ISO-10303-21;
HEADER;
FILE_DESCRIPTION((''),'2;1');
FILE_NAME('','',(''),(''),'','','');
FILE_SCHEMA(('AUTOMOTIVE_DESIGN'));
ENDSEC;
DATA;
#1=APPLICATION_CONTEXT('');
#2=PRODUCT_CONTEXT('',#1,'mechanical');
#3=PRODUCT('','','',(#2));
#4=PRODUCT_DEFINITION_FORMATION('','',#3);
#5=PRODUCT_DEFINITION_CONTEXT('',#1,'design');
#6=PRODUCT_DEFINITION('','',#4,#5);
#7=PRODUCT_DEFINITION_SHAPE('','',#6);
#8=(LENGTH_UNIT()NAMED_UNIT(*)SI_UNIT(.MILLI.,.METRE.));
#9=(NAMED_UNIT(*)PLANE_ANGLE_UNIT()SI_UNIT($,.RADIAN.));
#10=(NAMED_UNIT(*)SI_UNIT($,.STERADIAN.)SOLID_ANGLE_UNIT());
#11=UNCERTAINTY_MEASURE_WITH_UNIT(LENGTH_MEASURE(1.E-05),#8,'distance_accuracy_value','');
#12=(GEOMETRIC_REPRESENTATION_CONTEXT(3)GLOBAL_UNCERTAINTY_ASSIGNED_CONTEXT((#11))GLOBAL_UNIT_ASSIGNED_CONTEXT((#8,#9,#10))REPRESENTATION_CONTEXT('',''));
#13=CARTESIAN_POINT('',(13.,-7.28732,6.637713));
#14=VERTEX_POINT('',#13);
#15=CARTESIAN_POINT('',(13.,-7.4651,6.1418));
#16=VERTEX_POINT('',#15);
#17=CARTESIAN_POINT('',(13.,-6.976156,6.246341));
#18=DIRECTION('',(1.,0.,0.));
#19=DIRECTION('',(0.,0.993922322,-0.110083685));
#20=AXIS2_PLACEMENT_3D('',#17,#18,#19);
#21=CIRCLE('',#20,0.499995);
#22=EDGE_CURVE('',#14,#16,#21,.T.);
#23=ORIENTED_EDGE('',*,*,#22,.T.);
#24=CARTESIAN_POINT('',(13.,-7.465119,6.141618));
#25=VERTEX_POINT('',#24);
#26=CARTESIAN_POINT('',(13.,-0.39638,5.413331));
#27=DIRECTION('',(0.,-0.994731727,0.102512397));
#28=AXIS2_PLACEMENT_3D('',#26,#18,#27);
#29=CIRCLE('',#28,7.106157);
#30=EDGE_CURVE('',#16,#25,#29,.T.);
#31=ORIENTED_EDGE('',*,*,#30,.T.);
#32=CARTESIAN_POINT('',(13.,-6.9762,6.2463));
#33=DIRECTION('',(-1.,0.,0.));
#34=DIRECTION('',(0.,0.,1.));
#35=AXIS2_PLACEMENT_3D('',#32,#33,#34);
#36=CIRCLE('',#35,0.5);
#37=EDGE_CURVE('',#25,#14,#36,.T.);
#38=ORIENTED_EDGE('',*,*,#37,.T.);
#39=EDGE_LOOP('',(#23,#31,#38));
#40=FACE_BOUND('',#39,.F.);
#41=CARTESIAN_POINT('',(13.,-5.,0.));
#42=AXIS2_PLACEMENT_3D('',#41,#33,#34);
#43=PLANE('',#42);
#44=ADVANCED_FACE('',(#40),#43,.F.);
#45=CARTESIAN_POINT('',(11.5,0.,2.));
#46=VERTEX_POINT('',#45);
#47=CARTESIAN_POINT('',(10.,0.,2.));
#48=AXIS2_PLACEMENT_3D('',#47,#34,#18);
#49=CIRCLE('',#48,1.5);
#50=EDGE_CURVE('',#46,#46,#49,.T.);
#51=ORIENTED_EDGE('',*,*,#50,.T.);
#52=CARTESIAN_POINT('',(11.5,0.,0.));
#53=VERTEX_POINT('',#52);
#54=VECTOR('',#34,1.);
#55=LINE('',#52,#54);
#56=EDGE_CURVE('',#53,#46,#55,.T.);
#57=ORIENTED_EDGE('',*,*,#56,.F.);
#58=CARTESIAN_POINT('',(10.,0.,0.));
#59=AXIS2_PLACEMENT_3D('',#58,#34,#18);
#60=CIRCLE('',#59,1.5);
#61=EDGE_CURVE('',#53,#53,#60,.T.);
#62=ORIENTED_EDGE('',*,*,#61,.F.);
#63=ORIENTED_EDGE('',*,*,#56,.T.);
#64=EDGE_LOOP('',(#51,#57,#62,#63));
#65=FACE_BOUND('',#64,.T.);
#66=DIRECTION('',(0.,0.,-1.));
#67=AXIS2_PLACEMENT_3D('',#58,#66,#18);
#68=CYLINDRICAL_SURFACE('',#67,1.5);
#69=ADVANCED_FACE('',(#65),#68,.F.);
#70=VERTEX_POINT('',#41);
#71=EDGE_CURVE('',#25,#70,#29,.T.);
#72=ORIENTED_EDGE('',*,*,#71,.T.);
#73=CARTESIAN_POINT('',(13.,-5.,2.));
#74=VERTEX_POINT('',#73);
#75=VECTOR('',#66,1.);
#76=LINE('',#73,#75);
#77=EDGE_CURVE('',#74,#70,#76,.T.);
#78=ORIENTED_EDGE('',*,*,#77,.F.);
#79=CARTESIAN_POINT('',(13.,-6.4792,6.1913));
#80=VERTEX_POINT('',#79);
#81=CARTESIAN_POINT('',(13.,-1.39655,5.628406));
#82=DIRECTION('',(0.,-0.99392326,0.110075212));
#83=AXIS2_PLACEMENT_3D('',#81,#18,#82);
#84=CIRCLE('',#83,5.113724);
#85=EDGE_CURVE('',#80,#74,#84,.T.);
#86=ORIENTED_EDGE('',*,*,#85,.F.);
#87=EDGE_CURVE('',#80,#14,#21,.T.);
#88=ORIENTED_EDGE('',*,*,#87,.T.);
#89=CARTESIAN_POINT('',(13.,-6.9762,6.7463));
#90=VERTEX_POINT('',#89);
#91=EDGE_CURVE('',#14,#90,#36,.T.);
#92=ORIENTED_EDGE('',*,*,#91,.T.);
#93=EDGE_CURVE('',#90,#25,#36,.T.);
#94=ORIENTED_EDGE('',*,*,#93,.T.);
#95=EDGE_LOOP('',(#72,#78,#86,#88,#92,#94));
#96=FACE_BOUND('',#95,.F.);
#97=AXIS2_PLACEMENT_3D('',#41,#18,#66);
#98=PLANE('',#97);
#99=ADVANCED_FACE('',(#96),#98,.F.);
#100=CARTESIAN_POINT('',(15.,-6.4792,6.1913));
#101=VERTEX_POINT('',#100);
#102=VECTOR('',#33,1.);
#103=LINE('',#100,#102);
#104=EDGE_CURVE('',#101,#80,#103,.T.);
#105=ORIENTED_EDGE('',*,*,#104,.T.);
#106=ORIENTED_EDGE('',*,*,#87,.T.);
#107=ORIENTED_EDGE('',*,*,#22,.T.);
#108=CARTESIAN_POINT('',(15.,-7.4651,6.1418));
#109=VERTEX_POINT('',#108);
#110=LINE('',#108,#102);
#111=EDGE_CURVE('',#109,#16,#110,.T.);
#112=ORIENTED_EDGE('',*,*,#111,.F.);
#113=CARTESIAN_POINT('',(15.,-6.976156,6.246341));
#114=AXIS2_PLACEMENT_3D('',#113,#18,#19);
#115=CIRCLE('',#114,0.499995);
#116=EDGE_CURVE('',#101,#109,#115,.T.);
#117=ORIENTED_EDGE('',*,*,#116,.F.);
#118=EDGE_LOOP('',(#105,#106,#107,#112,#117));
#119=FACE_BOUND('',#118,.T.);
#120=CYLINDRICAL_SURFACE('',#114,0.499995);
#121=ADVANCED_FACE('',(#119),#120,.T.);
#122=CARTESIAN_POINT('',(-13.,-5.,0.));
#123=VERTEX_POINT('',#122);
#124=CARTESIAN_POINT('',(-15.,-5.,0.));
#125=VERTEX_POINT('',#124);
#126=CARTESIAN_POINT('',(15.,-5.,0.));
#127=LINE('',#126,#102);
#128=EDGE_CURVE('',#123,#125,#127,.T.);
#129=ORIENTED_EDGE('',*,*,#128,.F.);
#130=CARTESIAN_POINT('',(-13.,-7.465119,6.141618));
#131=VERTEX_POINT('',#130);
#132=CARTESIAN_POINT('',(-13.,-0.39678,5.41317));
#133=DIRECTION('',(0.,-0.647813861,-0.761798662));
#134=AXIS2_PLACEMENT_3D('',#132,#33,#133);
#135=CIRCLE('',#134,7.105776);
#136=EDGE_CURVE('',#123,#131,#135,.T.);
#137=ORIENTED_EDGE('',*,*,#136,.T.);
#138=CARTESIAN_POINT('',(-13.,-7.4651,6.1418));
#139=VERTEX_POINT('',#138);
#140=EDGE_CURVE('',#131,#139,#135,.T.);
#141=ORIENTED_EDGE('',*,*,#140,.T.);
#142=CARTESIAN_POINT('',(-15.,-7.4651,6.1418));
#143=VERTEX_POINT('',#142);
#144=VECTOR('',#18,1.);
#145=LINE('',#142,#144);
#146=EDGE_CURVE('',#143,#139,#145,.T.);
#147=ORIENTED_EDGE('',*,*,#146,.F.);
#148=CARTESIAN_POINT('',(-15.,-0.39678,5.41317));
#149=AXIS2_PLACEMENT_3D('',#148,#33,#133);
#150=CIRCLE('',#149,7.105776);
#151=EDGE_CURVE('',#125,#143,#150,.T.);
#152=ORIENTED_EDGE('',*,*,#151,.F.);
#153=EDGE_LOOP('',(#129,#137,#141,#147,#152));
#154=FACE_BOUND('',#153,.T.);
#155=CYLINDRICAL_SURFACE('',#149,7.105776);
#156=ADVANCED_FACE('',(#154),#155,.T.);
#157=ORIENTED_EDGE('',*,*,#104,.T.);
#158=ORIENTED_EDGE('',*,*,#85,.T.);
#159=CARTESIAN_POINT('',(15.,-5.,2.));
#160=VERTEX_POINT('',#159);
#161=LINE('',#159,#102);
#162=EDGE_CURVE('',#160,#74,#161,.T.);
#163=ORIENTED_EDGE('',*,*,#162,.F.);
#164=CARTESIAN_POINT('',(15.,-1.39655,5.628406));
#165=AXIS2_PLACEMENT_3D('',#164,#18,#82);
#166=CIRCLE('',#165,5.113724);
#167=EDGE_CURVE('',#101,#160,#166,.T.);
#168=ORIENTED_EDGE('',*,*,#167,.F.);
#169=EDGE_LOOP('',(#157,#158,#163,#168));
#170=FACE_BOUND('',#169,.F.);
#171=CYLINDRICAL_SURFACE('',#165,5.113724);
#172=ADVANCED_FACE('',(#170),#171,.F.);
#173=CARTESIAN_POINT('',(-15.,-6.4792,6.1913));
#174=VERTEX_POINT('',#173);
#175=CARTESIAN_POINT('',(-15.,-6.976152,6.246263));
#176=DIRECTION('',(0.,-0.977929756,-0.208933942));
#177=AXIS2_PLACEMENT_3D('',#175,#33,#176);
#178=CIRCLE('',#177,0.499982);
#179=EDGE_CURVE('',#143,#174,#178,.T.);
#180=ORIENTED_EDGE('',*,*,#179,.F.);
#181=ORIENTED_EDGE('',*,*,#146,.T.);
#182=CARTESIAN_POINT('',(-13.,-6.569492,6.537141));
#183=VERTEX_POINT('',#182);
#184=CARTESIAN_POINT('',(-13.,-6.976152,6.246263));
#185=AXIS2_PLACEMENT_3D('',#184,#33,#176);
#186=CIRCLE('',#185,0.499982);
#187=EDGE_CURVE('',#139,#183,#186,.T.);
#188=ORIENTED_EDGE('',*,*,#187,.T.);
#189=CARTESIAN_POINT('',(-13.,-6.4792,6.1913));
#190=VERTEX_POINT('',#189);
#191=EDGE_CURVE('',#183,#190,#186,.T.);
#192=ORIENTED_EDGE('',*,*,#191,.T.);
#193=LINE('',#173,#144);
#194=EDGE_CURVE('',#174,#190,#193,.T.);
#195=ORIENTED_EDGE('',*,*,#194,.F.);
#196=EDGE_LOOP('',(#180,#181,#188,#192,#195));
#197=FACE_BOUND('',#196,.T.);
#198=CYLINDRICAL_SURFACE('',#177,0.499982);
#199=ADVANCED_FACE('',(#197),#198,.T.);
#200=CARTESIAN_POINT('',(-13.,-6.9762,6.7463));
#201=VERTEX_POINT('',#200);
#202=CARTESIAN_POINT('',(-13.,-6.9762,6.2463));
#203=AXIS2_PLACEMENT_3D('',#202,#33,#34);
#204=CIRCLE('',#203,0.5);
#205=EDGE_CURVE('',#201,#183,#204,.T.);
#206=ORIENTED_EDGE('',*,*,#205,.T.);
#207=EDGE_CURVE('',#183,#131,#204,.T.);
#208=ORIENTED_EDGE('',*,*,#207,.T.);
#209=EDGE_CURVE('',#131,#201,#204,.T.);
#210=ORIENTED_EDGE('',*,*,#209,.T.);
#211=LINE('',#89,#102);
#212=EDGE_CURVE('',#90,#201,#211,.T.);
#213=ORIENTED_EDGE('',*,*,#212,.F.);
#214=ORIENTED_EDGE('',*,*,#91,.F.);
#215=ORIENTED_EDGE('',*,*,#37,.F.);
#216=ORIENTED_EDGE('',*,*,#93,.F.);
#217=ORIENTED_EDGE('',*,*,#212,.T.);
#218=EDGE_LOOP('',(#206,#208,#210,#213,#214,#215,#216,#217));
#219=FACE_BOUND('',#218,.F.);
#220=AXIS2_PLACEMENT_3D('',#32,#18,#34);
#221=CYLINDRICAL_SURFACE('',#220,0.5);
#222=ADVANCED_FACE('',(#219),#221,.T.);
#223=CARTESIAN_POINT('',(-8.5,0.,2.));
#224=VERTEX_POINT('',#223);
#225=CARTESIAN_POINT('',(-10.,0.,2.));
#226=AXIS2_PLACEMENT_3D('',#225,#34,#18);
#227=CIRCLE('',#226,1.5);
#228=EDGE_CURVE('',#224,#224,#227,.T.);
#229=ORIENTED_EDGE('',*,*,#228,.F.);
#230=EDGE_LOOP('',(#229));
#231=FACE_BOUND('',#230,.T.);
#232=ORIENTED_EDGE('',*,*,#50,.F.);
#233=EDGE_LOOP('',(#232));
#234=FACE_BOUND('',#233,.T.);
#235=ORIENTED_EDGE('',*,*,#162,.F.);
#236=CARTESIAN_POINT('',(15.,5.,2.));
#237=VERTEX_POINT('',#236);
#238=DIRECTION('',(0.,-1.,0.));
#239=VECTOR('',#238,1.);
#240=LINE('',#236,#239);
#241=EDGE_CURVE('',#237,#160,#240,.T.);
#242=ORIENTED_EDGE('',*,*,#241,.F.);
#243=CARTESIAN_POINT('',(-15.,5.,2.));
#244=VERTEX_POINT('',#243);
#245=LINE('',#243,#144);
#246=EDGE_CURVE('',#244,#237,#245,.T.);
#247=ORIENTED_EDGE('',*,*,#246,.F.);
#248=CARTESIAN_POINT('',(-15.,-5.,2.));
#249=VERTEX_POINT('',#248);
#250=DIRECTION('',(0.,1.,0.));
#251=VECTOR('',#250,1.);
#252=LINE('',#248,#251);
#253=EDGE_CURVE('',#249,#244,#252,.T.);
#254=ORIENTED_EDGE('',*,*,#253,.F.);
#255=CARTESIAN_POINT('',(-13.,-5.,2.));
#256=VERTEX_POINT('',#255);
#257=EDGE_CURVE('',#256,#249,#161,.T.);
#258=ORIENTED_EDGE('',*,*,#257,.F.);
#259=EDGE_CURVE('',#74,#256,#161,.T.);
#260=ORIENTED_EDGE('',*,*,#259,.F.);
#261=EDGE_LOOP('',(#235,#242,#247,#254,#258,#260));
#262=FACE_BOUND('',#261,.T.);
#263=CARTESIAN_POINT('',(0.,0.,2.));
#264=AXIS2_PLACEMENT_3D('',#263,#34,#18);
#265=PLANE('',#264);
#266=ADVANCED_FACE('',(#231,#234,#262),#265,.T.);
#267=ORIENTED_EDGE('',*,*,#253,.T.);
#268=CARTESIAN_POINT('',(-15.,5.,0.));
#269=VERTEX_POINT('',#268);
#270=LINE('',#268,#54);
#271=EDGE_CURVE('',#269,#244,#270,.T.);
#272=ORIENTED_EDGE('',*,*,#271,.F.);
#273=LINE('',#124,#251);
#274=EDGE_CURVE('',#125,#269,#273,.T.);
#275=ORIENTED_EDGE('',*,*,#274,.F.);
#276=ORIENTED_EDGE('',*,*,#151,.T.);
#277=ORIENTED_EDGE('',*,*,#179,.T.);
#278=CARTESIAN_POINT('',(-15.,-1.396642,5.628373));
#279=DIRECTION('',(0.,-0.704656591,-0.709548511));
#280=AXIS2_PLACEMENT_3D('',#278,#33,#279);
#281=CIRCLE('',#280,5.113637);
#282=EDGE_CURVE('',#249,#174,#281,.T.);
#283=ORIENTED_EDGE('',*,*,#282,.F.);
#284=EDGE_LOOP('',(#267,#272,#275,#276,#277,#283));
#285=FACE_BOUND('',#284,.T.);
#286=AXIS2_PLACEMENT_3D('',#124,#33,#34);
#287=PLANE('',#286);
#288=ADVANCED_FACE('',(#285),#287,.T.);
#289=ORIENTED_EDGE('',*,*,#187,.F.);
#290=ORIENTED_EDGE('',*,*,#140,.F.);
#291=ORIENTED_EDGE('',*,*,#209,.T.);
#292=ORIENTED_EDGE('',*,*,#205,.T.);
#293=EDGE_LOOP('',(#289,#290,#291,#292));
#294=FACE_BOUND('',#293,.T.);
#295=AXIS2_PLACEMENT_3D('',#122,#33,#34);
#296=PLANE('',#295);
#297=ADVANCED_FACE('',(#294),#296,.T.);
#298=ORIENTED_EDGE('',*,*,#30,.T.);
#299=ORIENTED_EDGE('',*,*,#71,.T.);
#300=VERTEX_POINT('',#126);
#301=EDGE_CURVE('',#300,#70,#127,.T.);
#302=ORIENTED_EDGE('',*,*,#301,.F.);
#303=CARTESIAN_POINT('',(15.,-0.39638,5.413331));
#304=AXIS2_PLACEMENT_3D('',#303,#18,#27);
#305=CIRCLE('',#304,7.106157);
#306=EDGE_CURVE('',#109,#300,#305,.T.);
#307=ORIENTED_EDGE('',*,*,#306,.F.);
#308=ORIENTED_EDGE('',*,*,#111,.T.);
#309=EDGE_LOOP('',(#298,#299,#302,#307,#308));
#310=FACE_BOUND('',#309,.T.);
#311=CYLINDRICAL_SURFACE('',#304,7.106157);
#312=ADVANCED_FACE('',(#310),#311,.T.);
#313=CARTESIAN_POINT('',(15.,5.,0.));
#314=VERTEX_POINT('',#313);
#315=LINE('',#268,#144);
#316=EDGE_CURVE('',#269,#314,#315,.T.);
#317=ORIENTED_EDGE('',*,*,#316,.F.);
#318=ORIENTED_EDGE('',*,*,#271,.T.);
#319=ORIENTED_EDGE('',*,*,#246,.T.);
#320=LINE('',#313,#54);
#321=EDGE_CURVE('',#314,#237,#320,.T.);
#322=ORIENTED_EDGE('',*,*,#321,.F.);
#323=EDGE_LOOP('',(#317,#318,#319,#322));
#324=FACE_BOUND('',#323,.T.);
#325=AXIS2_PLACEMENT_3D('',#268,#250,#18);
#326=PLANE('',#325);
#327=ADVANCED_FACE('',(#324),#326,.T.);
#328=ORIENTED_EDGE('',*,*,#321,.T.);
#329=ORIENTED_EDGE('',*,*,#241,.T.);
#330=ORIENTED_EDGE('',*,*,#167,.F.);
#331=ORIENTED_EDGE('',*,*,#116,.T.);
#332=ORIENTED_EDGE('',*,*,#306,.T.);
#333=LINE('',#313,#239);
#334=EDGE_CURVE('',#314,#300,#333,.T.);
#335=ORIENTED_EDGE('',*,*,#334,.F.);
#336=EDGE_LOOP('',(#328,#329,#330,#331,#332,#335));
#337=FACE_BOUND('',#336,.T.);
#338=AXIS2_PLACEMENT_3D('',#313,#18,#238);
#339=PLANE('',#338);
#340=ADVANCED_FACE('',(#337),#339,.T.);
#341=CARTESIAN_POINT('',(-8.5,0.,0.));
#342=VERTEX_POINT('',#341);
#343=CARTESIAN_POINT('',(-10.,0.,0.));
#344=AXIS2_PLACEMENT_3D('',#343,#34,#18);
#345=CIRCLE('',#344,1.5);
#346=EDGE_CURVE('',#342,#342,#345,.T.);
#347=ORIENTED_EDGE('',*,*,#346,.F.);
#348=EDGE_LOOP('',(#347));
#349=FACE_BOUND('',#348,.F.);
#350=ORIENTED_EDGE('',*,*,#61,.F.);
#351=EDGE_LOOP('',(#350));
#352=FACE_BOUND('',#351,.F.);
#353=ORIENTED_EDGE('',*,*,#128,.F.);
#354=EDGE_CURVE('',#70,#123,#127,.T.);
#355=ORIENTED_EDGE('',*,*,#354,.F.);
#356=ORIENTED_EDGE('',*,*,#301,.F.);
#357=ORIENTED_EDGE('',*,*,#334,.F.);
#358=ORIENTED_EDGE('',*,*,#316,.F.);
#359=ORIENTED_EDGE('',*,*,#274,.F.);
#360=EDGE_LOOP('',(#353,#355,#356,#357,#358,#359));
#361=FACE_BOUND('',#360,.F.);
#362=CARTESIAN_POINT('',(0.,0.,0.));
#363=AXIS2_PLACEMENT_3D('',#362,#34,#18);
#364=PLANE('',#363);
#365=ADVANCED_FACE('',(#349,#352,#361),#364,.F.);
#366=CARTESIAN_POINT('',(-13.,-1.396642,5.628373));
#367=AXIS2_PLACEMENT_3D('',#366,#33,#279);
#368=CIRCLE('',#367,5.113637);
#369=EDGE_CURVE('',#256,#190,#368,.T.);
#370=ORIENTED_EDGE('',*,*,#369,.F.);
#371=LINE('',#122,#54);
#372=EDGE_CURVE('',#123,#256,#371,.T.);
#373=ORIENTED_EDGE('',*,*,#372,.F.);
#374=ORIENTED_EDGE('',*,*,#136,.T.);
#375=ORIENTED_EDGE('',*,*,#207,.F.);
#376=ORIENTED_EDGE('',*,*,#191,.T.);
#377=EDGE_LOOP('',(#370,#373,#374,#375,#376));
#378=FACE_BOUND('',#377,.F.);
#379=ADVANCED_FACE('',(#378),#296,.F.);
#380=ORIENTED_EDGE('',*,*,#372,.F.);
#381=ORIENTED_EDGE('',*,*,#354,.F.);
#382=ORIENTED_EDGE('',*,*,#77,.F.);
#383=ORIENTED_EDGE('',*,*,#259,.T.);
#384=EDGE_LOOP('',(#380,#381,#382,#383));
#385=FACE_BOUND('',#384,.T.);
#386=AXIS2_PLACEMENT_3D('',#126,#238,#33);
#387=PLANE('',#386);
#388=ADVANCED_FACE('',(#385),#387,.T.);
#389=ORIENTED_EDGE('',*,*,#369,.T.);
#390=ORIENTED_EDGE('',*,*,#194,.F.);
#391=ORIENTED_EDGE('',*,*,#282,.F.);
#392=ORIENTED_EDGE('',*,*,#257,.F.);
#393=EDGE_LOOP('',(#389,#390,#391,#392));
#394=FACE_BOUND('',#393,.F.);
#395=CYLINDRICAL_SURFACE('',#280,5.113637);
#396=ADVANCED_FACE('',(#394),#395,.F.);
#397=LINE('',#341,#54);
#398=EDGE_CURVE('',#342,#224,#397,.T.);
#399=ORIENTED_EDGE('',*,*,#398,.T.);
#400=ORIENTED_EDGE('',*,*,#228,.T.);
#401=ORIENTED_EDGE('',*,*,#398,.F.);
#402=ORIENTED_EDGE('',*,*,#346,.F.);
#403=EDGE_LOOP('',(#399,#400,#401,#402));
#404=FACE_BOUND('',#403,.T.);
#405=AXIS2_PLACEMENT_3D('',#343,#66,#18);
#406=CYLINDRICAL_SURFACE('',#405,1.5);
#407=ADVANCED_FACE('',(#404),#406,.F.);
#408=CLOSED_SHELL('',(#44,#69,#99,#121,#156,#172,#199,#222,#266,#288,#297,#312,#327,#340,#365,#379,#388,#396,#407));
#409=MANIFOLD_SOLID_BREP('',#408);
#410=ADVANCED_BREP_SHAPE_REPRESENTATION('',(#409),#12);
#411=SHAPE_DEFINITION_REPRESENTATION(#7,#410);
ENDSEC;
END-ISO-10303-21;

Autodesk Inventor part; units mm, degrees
ref_plane "YZ Plane" through (0, 0, 0) normal (1, 0, 0) x (0, 1, 0)
ref_plane "XZ Plane" through (0, 0, 0) normal (0, 1, 0) x (-1, 0, 0)
ref_plane "XY Plane" through (0, 0, 0) normal (0, 0, 1) x (1, 0, 0)
sketch "Sketch2" plane through (0, 0, 0) normal (0, 0, 1) x (1, 0, 0)
  line L0 (15, -5) -> (-15, -5)
  line L1 (-15, -5) -> (-15, 5)
  line L2 (-15, 5) -> (15, 5)
  line L3 (15, 5) -> (15, -5)
  line L4 (15, -5) -> (-15, 5) construction
  line L5 (-15, -5) -> (15, 5) construction
  circle A0 centre (-10, 0) radius 1.5
  circle A1 centre (10, 0) radius 1.5
  line L6 (-21, 0) -> (21, 0) construction
  point P0 (0, 0)
  point P1 (0, 0)
  dimension "d0" = 30
  dimension "d1" = 10
  dimension "d2" = 3
  dimension "d3" = 3
  dimension "d4" = 20
  dimension "d5" = 5
extrude "Extrusion1" add sketch "Sketch2" along normal blind 2
sketch "Sketch3" plane through (15, -5, 0) normal (1, 0, 0) x (0, 0, -1)
  line L0 (0, 0) -> (0, 10) construction
  line L1 (0, 10) -> (-2, 10) construction
  line L2 (-2, 0) -> (-2, 10) construction
  line L3 (0, 0) -> (-2, 0) construction
  arc A0 (-6.1418, -2.4651) -> (0, 0) centre (-5.4133, 4.6034) ccw
  arc A1 (-6.1913, -1.4792) -> (-2, 0) centre (-5.6284, 3.6034) ccw
  arc A2 (-6.1913, -1.4792) -> (-6.1418, -2.4651) centre (-6.2463, -1.9762) ccw
  line L4 (-2, 0) -> (0, 0)
  line L5 (1.7196, 5) -> (-8.1858, 5) construction
  point P0 (0, 5)
  dimension "d8" = 1
  dimension "d9" = 0.5
  dimension "d10" = 0.3966
  dimension "d11" = 1.3966
  dimension "d12" = 3.6284
  dimension "d13" = 3.4133
  dimension "d14" = 6.9762
extrude "Extrusion2" add sketch "Sketch3" against normal blind 2
sketch "Sketch4" plane through (-15, -5, 0) normal (-1, 0, 0) x (0, 0, 1)
  arc A0 (0, 0) -> (6.1418, -2.4651) centre (5.4133, 4.6034) ccw construction
  arc A1 (6.1418, -2.4651) -> (6.1913, -1.4792) centre (6.2463, -1.9762) ccw construction
  arc A2 (2, 0) -> (6.1913, -1.4792) centre (5.6284, 3.6034) ccw construction
  line L0 (0, 0) -> (2, 0) construction
  line L1 (0, 0) -> (2, 0)
  arc A3 (2, 0) -> (6.1913, -1.4792) centre (5.6284, 3.6034) ccw
  arc A4 (0, 0) -> (6.1418, -2.4651) centre (5.4133, 4.6034) ccw
  arc A5 (6.1418, -2.4651) -> (6.1913, -1.4792) centre (6.2463, -1.9762) ccw
  point P0 (0, 5)
extrude "Extrusion3" add sketch "Sketch4" against normal blind 2
sketch "Sketch5" plane through (13, -5, 0) normal (-1, 0, 0) x (0, 0, 1)
  arc A0 (6.1418, -2.4651) -> (6.1913, -1.4792) centre (6.2463, -1.9762) ccw construction
  circle A1 centre (6.2463, -1.9762) radius 0.5
  point P0 (0, 5)
extrude "Extrusion4" add sketch "Sketch5" along normal up to surface (26 mm away)
properties part number "P051_HautGrenouillere"
